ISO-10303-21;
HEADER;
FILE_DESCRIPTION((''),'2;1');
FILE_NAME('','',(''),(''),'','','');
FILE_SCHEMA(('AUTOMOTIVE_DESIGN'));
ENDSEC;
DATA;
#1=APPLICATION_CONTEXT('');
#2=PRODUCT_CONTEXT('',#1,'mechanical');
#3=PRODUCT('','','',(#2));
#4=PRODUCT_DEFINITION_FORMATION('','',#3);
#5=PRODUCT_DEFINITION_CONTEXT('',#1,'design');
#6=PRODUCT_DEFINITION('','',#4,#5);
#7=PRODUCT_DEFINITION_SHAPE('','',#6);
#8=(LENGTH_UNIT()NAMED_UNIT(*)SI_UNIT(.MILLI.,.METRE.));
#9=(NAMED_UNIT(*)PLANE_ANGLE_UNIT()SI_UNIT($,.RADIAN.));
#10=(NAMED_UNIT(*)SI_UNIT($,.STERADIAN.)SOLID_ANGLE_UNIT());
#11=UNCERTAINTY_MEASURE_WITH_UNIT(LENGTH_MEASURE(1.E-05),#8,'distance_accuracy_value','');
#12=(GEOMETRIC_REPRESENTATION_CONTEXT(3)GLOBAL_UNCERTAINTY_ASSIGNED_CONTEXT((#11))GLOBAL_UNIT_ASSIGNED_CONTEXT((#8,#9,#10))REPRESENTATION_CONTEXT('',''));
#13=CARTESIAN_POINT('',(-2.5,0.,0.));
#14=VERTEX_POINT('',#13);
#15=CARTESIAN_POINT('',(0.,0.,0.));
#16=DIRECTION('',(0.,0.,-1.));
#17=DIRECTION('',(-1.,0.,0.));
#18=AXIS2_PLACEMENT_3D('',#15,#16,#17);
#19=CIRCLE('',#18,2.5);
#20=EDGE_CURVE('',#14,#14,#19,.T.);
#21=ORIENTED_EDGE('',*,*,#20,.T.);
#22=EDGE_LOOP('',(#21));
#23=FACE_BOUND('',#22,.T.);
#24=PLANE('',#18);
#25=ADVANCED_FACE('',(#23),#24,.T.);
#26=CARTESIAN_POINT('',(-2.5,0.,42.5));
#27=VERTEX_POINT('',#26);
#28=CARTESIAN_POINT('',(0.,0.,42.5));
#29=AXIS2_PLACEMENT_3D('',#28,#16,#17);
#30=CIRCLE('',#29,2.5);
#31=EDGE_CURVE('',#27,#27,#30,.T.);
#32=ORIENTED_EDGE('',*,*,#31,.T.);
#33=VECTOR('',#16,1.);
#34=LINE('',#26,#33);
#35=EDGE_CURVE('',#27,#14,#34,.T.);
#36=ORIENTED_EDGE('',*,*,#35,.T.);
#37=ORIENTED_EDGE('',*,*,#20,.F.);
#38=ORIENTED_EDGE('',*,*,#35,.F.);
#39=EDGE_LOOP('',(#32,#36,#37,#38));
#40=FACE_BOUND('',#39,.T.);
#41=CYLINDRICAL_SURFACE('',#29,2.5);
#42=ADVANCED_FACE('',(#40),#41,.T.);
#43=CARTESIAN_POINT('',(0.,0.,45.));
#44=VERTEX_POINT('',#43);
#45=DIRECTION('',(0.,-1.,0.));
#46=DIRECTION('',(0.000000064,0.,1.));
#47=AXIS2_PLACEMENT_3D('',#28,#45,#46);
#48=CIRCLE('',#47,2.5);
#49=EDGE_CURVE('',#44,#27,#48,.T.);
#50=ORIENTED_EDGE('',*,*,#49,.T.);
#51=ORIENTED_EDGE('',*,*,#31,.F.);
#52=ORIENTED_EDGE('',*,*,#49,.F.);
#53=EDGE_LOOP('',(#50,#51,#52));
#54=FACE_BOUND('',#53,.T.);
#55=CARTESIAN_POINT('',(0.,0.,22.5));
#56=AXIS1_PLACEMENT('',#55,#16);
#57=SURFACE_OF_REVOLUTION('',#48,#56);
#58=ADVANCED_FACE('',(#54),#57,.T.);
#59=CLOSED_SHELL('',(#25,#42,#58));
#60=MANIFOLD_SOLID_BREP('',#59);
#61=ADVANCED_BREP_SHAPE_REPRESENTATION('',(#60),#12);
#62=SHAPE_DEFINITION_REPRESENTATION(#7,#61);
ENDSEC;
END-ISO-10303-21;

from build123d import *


with BuildPart() as f1:
    # F0 (on Front) → F1 (revolve)
    with BuildSketch(Plane.XZ):
        with BuildLine():
            Line((0, 0), (0, 45))
            ThreePointArc((0, 45), (-1.767767, 44.267767), (-2.5, 42.5))
            Line((-2.5, 42.5), (-2.5, 0))
            Line((-2.5, 0), (0, 0))
        make_face()
    revolve(axis=Axis((0, 0, 22.5), (0, 0, -1)))


solid = f1.part
